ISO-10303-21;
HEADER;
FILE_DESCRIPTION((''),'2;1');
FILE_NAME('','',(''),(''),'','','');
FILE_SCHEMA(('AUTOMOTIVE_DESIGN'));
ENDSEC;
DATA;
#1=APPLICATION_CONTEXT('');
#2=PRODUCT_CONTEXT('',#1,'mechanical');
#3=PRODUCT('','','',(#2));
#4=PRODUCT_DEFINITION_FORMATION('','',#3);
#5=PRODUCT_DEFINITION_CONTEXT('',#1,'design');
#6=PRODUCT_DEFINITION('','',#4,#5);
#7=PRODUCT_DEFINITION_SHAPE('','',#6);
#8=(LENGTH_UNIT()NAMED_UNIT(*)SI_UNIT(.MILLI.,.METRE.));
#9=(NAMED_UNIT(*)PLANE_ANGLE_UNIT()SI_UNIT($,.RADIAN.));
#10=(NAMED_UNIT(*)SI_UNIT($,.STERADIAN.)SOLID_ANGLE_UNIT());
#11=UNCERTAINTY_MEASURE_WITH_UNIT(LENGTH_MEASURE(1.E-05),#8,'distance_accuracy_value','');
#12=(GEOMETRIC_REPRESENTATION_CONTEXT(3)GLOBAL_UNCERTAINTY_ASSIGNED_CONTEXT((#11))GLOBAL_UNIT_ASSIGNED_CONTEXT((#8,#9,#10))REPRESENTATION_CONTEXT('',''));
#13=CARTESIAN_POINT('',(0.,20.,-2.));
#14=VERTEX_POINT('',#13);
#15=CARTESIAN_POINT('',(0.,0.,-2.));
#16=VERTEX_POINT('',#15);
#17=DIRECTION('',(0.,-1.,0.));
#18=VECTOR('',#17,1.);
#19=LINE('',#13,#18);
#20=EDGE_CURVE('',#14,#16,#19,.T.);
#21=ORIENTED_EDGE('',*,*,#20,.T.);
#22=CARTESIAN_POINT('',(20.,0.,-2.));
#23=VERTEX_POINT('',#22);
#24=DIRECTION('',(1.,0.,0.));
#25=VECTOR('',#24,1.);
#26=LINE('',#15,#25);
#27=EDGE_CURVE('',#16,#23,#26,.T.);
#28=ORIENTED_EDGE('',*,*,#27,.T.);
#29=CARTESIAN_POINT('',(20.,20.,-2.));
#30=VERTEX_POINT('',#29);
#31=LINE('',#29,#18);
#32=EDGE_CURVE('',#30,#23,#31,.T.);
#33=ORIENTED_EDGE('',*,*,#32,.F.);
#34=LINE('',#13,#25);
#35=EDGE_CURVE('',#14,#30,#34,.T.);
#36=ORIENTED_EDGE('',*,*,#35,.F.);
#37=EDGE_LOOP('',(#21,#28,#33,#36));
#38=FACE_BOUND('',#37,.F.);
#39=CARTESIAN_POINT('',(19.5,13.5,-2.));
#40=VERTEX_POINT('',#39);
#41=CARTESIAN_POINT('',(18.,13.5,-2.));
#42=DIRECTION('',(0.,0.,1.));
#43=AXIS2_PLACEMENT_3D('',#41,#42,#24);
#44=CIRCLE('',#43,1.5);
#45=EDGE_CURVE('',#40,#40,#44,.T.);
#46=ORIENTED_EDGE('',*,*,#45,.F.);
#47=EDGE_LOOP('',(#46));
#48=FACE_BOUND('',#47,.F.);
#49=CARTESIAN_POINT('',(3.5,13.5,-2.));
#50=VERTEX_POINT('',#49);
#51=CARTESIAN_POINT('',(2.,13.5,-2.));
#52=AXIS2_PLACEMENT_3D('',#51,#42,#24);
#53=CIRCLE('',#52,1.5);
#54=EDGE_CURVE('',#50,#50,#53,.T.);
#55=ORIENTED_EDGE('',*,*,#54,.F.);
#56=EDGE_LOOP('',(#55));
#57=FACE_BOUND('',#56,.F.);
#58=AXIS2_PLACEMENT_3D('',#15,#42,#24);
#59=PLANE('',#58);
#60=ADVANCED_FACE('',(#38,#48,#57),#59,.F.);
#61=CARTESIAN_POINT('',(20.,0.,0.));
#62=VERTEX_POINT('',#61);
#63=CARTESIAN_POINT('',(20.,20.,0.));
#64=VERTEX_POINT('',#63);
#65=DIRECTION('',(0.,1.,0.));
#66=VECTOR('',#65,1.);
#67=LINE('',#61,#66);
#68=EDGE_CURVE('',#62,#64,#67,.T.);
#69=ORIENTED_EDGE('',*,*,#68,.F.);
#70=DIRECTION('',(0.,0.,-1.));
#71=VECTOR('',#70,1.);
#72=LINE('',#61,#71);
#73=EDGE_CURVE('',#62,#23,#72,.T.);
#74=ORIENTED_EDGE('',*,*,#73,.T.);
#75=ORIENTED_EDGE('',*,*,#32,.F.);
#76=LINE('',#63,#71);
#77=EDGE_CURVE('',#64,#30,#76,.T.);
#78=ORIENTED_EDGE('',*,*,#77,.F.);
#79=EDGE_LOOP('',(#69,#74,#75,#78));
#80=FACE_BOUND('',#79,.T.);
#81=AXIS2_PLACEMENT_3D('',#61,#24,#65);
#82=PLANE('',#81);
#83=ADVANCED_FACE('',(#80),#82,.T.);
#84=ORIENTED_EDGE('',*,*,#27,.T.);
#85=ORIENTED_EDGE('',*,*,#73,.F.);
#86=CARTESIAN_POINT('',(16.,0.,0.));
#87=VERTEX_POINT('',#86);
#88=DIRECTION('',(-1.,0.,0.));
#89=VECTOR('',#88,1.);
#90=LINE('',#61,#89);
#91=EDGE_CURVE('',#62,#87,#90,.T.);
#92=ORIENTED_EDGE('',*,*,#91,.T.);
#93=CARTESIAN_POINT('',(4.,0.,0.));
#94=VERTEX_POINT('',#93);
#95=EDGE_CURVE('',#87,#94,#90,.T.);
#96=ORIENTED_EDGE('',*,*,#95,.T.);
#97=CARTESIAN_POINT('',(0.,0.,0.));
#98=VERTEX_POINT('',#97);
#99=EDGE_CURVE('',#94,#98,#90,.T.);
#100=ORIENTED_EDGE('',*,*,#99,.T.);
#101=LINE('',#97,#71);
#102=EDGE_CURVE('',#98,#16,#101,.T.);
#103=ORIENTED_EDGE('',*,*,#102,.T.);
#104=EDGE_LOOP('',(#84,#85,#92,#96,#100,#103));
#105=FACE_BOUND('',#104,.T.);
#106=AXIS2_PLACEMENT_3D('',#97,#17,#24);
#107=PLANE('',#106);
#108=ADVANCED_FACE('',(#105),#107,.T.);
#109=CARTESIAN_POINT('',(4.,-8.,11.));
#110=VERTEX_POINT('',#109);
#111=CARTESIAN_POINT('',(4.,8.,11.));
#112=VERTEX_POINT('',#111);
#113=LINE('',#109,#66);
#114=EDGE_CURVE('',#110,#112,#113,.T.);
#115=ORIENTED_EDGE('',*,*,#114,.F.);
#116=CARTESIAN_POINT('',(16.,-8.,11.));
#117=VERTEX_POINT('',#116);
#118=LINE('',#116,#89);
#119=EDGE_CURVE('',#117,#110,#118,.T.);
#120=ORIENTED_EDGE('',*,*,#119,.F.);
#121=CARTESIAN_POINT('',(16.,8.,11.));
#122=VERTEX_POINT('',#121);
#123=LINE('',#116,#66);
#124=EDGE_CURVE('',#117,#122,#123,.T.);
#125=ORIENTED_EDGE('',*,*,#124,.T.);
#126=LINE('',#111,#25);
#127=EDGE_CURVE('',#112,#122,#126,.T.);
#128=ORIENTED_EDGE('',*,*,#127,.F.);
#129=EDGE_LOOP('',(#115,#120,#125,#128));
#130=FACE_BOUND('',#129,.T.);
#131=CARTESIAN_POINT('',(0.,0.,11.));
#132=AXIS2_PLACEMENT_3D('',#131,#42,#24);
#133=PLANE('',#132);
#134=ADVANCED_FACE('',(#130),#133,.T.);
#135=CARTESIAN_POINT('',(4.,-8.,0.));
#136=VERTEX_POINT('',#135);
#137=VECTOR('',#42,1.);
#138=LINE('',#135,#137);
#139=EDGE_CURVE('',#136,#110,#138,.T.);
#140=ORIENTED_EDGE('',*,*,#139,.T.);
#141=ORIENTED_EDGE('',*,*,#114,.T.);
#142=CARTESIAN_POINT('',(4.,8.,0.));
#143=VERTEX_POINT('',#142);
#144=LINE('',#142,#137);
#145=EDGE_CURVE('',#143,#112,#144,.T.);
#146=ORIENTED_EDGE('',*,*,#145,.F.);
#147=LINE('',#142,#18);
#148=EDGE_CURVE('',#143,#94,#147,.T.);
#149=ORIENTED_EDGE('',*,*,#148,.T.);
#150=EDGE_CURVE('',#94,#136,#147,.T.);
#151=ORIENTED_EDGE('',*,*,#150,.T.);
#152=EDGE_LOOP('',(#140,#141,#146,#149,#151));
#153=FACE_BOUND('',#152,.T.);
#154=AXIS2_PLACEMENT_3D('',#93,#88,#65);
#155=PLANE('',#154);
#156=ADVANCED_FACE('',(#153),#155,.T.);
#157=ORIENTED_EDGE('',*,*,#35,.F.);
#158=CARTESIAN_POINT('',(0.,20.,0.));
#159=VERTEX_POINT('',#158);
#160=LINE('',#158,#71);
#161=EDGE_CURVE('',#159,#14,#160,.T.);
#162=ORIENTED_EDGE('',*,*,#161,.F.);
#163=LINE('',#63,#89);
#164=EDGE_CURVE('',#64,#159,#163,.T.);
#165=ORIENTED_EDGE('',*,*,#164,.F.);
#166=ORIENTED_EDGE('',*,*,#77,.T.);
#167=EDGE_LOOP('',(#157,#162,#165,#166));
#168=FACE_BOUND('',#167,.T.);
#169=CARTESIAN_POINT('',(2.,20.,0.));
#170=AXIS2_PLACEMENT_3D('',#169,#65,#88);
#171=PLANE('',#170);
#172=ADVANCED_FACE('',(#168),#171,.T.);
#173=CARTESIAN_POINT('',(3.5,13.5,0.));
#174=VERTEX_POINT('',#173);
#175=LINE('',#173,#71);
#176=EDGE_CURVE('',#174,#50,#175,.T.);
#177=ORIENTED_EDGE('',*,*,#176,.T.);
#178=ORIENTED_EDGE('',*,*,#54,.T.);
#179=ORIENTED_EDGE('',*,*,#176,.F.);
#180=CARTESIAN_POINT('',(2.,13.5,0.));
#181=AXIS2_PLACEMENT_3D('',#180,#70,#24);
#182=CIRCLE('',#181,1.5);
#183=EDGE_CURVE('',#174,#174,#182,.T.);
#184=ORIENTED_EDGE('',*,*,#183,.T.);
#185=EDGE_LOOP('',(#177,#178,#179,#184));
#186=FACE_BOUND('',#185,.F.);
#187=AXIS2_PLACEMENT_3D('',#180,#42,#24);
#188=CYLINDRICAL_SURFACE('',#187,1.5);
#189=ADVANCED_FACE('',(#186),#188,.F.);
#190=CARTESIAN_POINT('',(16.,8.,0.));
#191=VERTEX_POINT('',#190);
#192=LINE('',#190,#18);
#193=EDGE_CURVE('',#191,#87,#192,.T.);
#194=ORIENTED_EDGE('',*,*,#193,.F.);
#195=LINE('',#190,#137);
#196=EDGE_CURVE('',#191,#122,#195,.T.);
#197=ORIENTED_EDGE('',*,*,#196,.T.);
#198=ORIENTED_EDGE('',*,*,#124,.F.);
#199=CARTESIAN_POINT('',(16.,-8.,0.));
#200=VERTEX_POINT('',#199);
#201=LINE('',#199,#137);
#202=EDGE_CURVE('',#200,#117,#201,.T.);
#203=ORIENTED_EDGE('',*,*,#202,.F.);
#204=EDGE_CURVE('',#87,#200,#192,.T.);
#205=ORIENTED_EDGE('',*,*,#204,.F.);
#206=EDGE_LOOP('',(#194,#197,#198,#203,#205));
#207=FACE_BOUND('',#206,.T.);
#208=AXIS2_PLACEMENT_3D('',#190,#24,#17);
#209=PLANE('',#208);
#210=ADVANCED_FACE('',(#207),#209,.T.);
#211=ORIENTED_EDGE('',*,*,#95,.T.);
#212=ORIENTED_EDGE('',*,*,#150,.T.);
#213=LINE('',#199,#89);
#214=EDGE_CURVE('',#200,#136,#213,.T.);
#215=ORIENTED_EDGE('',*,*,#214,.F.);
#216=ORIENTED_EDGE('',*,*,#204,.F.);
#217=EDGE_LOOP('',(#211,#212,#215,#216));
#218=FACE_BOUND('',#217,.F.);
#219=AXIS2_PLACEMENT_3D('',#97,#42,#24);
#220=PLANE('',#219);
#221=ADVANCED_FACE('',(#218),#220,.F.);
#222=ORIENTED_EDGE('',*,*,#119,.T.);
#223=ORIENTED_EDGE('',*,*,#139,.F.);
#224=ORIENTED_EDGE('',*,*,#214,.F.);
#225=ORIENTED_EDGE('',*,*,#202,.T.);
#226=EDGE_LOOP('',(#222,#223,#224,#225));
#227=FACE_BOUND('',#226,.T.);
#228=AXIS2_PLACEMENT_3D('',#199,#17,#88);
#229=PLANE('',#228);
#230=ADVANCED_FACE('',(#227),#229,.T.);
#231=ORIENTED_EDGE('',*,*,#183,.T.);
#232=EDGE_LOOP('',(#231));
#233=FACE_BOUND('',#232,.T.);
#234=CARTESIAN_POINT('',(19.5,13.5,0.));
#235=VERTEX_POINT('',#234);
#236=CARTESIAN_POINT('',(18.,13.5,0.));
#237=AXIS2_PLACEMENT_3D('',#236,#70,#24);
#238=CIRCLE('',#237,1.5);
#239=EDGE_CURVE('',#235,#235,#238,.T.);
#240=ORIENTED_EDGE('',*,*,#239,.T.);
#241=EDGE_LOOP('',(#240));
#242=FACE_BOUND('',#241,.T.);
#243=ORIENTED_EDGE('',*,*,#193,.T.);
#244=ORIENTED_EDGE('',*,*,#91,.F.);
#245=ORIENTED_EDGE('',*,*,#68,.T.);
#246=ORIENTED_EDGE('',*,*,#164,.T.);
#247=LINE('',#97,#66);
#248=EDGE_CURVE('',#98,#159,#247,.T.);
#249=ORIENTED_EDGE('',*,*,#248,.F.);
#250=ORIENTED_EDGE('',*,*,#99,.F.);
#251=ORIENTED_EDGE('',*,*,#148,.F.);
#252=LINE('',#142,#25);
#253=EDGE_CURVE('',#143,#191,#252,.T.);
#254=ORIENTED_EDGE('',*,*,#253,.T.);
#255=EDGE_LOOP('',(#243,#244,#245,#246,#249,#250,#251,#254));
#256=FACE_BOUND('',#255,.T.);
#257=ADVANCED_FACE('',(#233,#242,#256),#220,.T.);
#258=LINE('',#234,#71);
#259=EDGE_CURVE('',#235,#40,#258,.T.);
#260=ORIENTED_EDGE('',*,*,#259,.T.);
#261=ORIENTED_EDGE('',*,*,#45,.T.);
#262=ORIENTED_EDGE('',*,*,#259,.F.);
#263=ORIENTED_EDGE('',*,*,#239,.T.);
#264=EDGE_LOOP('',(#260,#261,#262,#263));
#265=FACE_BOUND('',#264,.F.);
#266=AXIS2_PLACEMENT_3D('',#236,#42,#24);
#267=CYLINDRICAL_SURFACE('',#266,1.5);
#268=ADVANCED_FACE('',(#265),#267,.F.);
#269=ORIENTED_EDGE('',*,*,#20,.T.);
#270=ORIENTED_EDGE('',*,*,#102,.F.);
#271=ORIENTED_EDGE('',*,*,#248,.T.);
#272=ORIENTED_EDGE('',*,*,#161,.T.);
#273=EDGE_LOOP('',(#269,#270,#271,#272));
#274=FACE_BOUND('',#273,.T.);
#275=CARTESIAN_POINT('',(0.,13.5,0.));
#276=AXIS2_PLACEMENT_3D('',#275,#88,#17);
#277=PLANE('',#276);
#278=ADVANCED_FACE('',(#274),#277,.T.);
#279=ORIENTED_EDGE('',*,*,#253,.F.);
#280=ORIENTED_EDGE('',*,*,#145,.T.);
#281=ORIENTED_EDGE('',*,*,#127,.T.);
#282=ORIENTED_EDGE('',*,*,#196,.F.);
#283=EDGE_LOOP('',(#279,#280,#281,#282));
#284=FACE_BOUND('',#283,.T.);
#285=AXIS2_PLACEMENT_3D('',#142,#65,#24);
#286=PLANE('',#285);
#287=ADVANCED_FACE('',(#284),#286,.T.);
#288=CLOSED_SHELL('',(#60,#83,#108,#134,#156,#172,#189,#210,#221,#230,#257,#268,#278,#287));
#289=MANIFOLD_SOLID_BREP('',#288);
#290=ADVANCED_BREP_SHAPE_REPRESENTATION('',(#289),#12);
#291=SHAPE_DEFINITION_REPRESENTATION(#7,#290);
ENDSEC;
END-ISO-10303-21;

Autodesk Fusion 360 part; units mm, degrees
sketch "Sketch1" plane through (0, 0, 0) normal (0, 0, 1) x (1, 0, 0)
  line L0 (0, 0) -> (20, 0)
  line L1 (20, 0) -> (20, 20)
  line L2 (20, 20) -> (0, 20)
  line L3 (0, 20) -> (0, 0)
  line L4 (4, 8) -> (16, 8)
  line L5 (16, 8) -> (16, -8)
  line L6 (16, -8) -> (4, -8)
  line L7 (4, -8) -> (4, 8)
  line L8 (4, 8) -> (16, -8) construction
  line L9 (16, 8) -> (4, -8) construction
  line L10 (20, 20) -> (0, 20)
  line L11 (0, 20) -> (0, 13.5)
  line L12 (0, 13.5) -> (20, 13.5)
  line L13 (20, 13.5) -> (20, 20)
  line L14 (0, 20) -> (2, 20)
  line L15 (2, 20) -> (2, 13.5)
  line L16 (2, 13.5) -> (0, 13.5)
  line L17 (0, 13.5) -> (0, 20)
  line L18 (20, 20) -> (18, 20)
  line L19 (18, 20) -> (18, 13.5)
  line L20 (18, 13.5) -> (20, 13.5)
  line L21 (20, 13.5) -> (20, 20)
  circle A0 centre (2, 13.5) radius 1.5
  circle A1 centre (18, 13.5) radius 1.5
  point P0 (10, 0)
  dimension "d1" = 20
  dimension "d2" = 20
  dimension "d3" = 16
  dimension "d4" = 20
  dimension "d5" = 6.5
  dimension "d6" = 2
  dimension "d7" = 2
extrude "Extrude1" add sketch "Sketch1" against normal blind 2 contours L0 L1 L3 L4 L5 L7 L12 L16 L20 A0 A1 | L0 L4 L5 L7 | L2 L3 L10 L11 L12 L14 L15 L16 L17 A0 | L2 L10 L12 L15 L19 A0 A1 | L1 L2 L10 L12 L13 L18 L19 L20 L21 A1
extrude "Extrude2" add sketch "Sketch1" along normal blind 11 contours L0 L4 L5 L7 | L0 L5 L6 L7
